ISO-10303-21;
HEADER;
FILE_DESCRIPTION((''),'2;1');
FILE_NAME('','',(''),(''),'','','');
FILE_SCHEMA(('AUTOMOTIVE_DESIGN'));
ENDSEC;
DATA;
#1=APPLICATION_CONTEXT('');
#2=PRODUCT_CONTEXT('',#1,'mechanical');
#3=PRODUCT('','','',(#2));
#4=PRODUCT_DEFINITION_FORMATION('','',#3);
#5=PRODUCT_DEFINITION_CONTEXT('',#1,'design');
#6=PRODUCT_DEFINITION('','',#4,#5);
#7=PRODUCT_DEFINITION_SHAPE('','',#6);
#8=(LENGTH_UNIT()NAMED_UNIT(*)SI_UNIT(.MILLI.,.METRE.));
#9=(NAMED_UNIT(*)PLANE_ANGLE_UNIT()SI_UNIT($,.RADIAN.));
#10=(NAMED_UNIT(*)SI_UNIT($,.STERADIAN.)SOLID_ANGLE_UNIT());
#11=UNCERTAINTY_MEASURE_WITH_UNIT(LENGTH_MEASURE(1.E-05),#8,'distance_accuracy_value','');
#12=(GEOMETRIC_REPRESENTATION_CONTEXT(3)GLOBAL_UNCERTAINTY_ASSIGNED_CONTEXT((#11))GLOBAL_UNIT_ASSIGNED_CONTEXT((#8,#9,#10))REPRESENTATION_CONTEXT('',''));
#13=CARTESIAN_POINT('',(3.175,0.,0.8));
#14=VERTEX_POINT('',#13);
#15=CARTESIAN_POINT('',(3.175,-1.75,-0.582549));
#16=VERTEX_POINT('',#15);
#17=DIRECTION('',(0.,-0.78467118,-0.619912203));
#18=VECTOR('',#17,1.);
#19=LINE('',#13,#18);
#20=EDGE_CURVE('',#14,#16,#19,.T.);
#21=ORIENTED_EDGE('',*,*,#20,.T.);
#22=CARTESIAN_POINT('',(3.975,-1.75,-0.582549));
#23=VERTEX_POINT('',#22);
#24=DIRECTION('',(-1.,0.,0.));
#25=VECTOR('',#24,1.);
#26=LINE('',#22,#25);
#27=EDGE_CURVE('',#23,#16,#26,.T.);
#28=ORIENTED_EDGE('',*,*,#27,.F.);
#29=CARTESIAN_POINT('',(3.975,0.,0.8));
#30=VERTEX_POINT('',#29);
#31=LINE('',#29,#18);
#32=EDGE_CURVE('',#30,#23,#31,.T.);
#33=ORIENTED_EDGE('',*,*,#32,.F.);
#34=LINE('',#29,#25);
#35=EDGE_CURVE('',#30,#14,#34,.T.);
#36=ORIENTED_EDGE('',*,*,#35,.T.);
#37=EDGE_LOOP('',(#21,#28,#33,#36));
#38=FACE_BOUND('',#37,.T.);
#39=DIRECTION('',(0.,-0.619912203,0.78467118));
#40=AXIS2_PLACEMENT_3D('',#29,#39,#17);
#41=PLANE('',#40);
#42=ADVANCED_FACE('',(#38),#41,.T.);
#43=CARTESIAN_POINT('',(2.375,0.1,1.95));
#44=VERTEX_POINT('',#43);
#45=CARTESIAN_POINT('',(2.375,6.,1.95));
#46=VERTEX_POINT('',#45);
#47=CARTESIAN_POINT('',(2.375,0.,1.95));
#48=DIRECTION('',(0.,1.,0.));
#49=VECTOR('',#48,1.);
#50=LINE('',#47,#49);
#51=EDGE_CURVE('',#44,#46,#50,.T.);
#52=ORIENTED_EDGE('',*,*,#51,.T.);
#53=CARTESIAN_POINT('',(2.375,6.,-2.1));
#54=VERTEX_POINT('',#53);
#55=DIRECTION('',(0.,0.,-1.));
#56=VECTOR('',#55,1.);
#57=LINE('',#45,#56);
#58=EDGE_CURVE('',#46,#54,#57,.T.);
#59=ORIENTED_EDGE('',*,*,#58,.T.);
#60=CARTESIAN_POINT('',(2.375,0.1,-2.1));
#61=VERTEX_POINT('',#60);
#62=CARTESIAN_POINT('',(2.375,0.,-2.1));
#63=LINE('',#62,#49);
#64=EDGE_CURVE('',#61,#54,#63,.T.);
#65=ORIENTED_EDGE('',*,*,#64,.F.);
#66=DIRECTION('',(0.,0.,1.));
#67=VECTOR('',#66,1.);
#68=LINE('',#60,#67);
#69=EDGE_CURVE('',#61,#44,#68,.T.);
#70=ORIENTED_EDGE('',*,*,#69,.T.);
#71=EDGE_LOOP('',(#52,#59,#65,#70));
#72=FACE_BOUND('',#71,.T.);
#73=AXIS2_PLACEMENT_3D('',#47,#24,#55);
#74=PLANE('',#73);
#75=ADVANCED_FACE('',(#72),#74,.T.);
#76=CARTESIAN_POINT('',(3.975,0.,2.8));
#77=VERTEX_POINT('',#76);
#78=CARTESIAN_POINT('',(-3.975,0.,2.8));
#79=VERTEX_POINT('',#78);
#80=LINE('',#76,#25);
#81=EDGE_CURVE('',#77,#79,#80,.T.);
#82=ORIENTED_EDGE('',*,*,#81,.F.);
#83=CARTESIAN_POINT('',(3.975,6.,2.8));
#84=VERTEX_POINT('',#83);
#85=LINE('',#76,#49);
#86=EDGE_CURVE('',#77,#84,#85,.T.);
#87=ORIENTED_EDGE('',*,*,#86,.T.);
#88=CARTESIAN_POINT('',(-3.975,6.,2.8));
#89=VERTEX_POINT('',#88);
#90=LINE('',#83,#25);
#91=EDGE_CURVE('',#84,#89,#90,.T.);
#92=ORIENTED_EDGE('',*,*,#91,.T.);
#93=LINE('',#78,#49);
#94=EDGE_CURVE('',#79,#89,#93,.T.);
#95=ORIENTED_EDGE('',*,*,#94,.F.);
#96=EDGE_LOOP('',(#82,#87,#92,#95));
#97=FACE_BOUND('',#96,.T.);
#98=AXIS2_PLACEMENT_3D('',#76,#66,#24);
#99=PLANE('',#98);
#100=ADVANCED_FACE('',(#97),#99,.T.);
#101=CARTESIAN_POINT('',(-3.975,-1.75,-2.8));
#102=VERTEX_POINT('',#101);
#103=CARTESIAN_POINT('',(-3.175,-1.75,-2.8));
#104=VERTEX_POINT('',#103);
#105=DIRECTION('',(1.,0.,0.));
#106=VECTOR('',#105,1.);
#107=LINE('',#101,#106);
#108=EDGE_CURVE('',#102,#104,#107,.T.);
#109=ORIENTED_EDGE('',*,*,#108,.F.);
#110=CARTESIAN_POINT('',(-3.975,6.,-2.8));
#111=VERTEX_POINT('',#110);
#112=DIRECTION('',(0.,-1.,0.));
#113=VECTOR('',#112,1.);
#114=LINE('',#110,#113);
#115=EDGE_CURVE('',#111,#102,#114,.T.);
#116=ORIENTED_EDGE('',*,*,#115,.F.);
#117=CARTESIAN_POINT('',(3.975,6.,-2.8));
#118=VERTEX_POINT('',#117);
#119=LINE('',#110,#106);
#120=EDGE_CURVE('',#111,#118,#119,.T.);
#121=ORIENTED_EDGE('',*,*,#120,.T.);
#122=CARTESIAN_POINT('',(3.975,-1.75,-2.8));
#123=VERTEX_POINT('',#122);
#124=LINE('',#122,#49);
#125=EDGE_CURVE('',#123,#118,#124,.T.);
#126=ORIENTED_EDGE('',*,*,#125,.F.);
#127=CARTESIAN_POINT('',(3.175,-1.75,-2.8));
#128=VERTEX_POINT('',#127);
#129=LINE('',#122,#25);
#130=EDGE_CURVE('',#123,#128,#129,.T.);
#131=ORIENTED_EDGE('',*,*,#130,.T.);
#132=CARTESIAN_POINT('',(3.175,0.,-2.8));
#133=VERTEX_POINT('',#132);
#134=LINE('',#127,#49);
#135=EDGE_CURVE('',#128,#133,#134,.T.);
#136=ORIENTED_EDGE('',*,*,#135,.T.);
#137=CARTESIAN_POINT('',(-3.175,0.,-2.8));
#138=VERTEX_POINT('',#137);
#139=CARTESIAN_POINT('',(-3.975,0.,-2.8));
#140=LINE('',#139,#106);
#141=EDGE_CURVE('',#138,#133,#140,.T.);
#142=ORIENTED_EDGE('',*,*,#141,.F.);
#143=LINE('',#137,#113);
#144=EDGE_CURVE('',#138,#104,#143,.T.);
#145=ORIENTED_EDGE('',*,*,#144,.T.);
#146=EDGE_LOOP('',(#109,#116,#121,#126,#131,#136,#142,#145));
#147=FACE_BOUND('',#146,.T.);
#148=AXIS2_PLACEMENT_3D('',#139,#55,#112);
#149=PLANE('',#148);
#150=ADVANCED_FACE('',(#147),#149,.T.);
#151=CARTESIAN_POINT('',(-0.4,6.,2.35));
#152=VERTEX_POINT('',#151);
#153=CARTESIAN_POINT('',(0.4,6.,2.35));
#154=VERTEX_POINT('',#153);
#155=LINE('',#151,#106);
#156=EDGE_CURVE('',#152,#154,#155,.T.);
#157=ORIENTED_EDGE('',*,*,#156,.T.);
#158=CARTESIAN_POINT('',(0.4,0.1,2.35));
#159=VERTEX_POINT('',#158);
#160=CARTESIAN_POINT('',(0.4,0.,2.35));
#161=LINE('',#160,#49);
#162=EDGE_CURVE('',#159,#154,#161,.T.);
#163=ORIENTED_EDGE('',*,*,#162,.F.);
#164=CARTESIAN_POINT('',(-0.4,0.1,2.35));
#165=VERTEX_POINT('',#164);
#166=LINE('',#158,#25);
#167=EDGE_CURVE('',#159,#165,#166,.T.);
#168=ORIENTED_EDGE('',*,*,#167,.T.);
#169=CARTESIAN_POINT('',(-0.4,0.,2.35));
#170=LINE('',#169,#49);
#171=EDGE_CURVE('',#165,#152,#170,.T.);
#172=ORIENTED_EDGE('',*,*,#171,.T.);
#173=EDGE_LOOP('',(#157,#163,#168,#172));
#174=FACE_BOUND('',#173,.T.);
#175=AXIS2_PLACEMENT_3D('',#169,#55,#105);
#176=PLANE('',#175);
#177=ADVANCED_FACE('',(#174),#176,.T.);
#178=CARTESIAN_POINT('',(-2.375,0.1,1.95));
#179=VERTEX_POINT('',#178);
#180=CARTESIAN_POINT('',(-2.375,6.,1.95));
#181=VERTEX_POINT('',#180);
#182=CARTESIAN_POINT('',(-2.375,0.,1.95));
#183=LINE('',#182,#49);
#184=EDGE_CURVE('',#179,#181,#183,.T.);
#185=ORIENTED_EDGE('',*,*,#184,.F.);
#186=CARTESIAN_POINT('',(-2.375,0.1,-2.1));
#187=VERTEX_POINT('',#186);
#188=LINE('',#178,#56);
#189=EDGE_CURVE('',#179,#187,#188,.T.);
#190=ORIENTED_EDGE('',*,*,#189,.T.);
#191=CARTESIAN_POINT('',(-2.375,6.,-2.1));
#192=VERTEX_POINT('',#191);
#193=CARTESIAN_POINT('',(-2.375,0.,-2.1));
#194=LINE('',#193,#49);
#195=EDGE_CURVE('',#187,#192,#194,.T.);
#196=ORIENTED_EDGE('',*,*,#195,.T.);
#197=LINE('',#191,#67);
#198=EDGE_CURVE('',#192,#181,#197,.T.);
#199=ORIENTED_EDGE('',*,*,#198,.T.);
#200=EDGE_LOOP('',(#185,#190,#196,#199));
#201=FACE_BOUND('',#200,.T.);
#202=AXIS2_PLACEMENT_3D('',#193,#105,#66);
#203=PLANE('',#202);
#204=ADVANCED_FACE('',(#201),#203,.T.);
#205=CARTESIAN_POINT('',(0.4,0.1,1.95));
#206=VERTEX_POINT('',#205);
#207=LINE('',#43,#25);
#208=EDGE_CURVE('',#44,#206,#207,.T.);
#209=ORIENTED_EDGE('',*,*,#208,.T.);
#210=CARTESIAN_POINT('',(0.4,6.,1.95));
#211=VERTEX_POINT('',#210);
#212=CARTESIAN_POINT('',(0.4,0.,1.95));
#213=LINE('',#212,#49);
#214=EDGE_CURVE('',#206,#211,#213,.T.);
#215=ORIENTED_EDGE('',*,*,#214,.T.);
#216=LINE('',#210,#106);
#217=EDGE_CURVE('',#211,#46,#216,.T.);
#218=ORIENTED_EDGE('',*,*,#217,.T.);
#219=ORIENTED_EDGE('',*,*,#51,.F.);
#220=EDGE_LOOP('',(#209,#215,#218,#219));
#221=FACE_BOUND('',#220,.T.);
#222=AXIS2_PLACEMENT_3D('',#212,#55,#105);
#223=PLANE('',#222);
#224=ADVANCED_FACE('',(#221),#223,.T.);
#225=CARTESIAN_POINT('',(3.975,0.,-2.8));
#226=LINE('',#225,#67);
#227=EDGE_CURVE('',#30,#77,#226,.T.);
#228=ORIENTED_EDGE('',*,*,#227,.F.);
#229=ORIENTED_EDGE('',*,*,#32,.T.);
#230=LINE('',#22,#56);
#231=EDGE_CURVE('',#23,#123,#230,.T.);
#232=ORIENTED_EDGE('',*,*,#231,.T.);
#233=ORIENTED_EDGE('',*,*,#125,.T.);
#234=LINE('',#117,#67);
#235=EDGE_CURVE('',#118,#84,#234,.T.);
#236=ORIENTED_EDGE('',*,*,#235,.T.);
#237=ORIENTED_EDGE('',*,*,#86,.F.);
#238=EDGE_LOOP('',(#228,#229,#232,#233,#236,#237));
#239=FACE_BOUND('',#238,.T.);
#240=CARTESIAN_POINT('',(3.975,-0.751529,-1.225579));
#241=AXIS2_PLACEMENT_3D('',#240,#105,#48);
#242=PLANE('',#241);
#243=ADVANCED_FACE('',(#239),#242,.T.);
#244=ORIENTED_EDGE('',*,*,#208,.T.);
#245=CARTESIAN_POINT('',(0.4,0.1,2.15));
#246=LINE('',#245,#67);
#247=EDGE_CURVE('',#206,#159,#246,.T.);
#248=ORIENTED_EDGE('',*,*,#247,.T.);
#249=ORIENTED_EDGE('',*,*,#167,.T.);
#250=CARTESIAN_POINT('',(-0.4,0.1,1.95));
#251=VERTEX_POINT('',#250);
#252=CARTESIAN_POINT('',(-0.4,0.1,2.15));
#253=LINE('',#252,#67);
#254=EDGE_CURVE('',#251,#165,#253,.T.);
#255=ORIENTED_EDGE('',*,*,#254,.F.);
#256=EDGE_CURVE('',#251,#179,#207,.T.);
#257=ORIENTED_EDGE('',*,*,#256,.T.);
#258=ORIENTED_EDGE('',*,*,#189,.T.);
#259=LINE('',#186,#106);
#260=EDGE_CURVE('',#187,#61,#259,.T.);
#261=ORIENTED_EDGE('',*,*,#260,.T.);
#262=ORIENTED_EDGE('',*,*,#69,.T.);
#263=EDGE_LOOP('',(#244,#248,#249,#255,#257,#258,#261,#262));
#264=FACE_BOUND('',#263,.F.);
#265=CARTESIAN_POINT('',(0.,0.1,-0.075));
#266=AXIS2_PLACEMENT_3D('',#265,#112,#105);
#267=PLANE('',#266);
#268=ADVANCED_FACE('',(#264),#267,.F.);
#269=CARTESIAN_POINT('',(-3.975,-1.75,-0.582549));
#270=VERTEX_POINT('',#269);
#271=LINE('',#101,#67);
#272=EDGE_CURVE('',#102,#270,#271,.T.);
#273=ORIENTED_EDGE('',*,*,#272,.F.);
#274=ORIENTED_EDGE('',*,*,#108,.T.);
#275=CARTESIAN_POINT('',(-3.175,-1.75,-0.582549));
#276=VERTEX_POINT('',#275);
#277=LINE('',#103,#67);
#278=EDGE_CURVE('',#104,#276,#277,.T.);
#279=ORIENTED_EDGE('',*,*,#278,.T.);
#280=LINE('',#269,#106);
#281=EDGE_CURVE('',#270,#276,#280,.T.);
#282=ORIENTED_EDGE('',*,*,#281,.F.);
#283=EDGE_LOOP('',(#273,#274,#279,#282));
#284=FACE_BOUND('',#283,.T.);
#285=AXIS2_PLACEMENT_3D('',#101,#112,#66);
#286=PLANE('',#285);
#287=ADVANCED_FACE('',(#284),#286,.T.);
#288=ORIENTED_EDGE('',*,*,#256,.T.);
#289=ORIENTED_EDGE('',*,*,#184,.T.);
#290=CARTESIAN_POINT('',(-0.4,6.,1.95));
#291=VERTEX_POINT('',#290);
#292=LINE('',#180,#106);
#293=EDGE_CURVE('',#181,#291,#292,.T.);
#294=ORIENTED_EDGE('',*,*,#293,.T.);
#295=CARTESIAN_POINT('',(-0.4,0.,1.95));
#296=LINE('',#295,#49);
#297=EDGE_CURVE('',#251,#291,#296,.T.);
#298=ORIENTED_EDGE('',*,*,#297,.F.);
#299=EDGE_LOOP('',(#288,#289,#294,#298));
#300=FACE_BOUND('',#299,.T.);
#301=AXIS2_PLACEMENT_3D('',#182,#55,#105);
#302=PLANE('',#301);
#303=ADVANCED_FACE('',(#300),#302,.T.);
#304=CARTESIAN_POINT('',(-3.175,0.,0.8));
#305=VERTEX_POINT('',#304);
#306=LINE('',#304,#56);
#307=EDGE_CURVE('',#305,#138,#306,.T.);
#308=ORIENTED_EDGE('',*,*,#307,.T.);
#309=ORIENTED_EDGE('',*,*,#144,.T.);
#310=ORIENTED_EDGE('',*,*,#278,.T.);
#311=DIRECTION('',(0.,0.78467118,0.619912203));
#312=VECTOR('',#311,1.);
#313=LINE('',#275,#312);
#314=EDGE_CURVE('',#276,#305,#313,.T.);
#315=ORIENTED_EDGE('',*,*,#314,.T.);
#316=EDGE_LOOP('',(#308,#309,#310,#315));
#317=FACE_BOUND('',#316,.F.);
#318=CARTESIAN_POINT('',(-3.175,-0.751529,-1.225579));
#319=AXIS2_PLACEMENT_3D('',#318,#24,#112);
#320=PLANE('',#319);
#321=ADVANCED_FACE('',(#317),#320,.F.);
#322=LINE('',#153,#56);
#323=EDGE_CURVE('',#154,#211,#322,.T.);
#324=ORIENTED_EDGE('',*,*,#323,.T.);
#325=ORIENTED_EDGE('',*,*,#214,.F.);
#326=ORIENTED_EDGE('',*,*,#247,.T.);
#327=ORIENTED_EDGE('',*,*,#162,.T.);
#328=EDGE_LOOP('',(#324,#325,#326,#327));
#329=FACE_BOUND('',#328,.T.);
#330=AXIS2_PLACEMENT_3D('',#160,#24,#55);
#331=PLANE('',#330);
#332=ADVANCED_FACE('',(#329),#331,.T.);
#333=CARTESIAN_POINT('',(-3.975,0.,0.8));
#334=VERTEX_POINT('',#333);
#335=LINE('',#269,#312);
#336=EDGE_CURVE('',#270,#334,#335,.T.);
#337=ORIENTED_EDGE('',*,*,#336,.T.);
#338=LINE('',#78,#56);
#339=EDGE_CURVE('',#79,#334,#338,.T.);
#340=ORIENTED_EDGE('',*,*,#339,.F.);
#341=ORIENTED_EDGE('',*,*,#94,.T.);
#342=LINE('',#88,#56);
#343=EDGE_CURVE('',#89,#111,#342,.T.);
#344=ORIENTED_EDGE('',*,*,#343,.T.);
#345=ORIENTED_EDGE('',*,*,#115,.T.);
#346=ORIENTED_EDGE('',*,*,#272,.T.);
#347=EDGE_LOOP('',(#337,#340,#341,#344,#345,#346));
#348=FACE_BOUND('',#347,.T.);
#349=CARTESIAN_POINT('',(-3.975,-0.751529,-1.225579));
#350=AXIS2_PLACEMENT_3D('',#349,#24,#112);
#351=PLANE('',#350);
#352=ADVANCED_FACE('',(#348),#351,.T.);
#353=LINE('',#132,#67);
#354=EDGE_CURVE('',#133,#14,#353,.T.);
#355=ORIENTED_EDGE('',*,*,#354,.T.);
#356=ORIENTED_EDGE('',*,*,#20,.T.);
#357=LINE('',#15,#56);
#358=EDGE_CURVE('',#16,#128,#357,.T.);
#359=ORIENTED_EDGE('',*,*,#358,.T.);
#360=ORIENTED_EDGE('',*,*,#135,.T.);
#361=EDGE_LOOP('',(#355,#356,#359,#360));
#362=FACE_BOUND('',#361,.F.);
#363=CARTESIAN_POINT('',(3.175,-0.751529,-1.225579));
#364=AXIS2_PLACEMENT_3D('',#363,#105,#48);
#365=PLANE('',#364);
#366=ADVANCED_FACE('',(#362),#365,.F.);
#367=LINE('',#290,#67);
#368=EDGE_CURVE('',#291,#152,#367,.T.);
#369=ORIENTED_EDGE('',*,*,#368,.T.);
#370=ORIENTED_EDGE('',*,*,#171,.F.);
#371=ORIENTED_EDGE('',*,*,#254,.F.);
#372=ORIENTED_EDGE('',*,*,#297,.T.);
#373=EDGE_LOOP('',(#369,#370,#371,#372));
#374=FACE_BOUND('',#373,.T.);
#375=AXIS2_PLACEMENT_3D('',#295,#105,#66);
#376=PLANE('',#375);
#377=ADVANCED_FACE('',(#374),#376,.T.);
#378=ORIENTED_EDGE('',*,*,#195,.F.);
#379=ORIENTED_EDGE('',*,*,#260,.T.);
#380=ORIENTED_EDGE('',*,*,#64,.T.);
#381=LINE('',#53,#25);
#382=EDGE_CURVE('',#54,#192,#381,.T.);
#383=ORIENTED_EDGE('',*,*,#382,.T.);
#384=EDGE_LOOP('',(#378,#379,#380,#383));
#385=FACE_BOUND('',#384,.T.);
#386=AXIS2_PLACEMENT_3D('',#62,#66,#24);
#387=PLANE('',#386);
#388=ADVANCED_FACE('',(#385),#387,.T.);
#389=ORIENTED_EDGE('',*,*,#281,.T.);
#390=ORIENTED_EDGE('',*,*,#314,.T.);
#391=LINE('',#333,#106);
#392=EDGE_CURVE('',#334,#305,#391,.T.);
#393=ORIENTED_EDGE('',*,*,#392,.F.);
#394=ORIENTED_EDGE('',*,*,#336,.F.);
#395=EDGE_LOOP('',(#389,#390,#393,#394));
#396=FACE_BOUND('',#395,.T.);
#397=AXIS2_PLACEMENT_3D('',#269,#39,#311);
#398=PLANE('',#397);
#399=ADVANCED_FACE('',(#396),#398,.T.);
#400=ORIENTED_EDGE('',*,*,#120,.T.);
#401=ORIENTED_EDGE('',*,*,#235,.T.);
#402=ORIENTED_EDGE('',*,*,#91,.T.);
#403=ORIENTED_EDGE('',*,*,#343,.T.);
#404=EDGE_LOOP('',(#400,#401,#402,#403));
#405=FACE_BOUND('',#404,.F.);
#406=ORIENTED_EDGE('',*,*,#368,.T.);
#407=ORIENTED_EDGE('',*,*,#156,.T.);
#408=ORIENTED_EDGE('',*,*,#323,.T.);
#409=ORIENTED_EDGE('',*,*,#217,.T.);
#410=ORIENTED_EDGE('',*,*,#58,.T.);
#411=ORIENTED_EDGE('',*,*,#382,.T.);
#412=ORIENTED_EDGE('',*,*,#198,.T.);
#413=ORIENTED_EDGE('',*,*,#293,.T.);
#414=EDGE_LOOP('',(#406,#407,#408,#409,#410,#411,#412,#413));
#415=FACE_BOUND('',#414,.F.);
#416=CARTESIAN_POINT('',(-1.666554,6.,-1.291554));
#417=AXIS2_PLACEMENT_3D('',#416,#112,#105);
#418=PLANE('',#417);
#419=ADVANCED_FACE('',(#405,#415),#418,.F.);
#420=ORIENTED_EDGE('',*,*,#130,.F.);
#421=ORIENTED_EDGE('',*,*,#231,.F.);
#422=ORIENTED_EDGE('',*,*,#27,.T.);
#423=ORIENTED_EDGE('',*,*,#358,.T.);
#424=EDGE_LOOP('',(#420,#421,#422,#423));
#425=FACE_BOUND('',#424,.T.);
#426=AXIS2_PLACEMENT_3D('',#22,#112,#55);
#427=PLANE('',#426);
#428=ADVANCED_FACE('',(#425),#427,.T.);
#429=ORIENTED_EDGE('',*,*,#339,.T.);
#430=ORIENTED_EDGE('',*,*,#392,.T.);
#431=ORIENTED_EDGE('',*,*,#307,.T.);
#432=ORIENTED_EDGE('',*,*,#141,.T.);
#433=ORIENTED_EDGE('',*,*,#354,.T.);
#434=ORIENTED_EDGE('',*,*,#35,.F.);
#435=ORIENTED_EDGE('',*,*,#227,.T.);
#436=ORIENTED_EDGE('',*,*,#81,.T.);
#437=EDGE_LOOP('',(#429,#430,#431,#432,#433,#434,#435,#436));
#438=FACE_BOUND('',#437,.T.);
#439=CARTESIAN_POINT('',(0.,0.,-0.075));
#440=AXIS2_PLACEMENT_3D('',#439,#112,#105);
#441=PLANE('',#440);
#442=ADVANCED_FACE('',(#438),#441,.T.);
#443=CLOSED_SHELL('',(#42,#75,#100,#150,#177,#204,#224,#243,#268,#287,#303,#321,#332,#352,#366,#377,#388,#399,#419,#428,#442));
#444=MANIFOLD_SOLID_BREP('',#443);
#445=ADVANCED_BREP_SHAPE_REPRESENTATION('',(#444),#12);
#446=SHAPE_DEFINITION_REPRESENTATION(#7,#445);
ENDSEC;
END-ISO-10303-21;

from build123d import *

# Parameters (mm, degrees)
F0_W     = 1.6
F0_H     = 0.85
F0_H_2   = 0.7
F1_DEPTH = 6
F0_W_2   = 0.4
F0_H_3   = 0.4
F2_DEPTH = 0.1
F4_DEPTH = 0.8
F6_DEPTH = 0.8


with BuildPart() as f1:
    # F0 (on Front) → F1 (new body)
    with BuildSketch(Plane.XZ):
        Polygon((-2.375, 1.95), (-3.975, 1.95), (-3.975, -2.8), (2.375, -2.8), (2.375, -2.1), (-2.375, -2.1), align=None)
        with Locations((-3.175, 2.375)):
            Rectangle(F0_W, F0_H)
        Polygon((3.975, 2.8), (-2.375, 2.8), (-2.375, 1.95), (-0.4, 1.95), (-0.4, 2.35), (0, 2.35), (0.4, 2.35), (0.4, 1.95), (2.375, 1.95), (2.375, -2.1), (3.975, -2.1), align=None)
        with Locations((3.175, -2.45)):
            Rectangle(F0_W, F0_H_2)
    extrude(amount=-F1_DEPTH)

    # F0 (on Front) → F2 (join)
    with BuildSketch(Plane.XZ):
        Polygon((-0.4, 1.95), (-2.375, 1.95), (-2.375, -2.1), (2.375, -2.1), (2.375, 1.95), (0.4, 1.95), (0, 1.95), align=None)
        with Locations((-0.2, 2.15)):
            Rectangle(F0_W_2, F0_H_3)
        with Locations((0.2, 2.15)):
            Rectangle(F0_W_2, F0_H_3)
    extrude(amount=-F2_DEPTH)

    # F3 (on face) → F4 (join)
    with BuildSketch(Plane.YZ.offset(3.975)):
        Polygon((0, -2.8), (0, 0.8), (-1.75, -0.582549), (-1.75, -2.8), align=None)
    extrude(amount=-F4_DEPTH)

    # F5 (on face) → F6 (join)
    with BuildSketch(Plane(origin=(-3.975, 0, 0), x_dir=(0, -1, 0), z_dir=(-1, 0, 0))):
        Polygon((1.75, -0.582549), (0, 0.8), (0, -2.8), (1.75, -2.8), align=None)
    extrude(amount=-F6_DEPTH)


solid = f1.part
